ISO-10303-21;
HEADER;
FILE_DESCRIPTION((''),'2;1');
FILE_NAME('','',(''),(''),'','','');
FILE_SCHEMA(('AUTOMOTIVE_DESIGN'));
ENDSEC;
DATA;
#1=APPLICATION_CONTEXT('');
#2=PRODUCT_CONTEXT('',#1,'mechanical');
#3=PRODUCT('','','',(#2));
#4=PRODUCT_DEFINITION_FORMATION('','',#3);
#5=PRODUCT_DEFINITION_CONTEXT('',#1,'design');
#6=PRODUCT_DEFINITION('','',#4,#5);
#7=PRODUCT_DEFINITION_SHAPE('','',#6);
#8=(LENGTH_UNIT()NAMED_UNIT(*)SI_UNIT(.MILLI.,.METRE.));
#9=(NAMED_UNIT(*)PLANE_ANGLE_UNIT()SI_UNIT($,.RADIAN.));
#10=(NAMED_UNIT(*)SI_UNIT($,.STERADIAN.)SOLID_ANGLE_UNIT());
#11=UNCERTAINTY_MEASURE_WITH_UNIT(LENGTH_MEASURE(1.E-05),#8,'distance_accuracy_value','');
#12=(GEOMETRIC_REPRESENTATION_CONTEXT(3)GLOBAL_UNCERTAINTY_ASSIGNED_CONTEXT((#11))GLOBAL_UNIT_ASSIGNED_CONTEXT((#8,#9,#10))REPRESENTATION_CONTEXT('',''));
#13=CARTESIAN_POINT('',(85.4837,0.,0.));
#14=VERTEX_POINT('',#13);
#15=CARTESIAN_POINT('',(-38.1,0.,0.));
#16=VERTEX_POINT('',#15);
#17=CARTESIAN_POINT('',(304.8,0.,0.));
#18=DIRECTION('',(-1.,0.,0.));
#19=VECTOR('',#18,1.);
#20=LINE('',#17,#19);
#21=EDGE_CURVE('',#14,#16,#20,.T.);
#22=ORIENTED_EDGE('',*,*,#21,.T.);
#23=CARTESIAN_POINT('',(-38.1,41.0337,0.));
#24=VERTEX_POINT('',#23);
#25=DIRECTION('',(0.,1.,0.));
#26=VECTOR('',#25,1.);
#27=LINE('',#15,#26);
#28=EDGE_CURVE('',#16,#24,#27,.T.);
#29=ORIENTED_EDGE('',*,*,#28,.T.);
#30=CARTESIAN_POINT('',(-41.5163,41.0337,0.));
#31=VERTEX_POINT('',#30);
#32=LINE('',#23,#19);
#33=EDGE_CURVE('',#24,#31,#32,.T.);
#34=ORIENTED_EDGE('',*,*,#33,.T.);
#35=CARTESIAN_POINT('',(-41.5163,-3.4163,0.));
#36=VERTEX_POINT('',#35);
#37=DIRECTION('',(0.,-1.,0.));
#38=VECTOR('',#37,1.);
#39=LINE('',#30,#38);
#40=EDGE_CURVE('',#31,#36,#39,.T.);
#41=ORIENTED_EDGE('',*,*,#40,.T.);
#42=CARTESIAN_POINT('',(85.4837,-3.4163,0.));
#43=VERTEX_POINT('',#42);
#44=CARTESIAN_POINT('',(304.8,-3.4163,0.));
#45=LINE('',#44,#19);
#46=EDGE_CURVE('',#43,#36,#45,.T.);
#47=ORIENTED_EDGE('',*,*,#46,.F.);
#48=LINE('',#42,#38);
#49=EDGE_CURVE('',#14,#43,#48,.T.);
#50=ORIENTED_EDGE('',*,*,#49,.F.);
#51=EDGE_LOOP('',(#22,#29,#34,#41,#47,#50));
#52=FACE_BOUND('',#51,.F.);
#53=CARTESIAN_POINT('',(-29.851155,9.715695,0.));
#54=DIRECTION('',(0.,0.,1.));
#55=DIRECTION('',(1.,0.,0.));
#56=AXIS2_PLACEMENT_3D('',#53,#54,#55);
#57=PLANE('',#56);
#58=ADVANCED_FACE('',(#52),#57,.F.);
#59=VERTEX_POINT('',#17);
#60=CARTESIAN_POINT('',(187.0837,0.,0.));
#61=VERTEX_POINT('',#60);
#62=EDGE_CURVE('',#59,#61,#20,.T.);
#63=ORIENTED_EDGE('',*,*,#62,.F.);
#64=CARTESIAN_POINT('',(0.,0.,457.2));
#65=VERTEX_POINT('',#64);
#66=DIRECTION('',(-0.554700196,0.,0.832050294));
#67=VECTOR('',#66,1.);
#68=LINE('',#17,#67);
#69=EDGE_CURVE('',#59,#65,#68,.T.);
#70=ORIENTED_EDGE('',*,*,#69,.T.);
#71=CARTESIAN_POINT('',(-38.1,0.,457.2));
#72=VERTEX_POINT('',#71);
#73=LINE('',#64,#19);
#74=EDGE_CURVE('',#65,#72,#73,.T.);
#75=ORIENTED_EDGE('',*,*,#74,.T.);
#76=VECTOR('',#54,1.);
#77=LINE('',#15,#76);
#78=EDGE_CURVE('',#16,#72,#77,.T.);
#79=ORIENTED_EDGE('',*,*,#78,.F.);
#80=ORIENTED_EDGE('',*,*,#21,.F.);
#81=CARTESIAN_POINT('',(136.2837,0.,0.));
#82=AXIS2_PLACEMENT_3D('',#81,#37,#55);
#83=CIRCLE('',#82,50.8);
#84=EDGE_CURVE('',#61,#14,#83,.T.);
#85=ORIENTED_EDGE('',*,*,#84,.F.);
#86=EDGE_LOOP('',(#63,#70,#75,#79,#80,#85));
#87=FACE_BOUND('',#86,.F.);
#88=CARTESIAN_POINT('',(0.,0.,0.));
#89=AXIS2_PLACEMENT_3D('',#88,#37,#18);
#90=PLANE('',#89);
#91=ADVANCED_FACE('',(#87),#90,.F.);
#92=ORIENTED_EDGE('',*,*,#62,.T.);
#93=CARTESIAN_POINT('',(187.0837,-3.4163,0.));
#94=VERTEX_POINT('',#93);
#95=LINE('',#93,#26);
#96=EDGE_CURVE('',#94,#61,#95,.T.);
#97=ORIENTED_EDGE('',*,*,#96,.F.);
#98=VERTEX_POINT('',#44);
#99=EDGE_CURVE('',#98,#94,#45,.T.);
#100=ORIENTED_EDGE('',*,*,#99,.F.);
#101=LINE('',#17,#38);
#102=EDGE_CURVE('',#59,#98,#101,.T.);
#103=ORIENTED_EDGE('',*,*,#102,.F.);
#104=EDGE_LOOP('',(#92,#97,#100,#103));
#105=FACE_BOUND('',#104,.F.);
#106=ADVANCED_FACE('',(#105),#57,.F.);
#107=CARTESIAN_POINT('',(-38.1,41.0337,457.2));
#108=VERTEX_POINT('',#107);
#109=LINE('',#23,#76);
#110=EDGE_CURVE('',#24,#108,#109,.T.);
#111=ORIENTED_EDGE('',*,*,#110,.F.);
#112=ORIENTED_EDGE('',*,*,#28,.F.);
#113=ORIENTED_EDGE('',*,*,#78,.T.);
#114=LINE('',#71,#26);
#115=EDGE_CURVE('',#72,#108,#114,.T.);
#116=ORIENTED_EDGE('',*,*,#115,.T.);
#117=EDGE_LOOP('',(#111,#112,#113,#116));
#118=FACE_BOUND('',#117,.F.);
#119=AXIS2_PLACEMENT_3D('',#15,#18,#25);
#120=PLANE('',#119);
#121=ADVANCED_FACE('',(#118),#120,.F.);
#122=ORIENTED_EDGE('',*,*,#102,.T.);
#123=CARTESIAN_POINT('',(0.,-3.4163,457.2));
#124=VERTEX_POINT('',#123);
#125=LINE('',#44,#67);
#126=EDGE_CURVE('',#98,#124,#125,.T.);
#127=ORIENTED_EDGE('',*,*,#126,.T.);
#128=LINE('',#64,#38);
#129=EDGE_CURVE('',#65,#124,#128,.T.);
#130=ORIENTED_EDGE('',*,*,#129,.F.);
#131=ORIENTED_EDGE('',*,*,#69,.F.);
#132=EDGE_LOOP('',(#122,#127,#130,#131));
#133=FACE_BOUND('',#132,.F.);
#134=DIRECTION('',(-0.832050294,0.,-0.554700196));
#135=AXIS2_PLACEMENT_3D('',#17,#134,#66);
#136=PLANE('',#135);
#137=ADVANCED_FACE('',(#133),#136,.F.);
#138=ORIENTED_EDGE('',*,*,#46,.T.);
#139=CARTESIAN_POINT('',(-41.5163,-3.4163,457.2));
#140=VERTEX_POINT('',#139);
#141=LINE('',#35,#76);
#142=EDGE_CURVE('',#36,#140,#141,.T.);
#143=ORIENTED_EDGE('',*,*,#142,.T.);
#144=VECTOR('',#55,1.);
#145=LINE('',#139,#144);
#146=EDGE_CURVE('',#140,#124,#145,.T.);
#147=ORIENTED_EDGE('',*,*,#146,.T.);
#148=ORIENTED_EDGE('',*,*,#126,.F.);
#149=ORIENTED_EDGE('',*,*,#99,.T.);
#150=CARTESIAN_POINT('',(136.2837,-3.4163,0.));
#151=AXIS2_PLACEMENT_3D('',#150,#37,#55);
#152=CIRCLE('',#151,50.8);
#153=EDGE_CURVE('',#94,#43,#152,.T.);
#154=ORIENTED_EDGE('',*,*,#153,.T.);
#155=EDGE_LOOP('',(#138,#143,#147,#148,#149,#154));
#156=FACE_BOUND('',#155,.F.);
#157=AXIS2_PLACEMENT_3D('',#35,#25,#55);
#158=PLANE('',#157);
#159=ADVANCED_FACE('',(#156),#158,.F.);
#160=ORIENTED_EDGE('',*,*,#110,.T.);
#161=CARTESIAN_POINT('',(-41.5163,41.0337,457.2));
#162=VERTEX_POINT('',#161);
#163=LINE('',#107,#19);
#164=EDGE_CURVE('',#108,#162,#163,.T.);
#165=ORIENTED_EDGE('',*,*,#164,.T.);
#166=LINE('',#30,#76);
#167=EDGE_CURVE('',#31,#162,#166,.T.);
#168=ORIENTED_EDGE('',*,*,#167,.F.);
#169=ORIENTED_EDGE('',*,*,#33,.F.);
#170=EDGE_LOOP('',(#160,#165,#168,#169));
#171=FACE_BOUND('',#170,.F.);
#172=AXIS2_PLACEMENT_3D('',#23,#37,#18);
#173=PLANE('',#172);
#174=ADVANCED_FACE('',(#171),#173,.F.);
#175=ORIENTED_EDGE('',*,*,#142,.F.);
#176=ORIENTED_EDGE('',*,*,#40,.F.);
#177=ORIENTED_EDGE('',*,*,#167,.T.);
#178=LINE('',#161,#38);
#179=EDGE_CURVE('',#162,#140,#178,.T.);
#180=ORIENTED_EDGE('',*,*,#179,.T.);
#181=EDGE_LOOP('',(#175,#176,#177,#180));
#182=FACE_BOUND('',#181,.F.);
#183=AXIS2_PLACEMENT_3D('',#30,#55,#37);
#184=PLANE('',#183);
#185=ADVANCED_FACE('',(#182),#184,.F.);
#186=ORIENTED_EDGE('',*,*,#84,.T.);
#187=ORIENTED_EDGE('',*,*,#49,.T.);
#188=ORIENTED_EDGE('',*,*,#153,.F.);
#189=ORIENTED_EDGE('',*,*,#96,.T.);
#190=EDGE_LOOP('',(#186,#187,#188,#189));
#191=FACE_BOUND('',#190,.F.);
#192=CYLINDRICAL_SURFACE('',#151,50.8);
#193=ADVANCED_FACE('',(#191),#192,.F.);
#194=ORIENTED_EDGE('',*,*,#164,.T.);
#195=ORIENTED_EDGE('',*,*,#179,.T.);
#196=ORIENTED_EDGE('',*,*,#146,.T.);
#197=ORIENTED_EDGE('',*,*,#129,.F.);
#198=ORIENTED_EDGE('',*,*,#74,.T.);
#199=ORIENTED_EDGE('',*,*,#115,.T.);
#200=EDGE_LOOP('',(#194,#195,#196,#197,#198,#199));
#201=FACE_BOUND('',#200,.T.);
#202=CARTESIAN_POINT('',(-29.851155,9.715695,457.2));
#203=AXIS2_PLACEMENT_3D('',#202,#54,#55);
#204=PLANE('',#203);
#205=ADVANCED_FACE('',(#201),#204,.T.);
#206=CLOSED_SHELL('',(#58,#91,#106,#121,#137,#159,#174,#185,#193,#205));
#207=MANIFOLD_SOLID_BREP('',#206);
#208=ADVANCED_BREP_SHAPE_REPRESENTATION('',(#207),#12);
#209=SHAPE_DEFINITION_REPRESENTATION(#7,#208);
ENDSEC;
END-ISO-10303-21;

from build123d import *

# Parameters (mm, degrees)
F1_DEPTH = 3.4163
F3_DEPTH = 457.2
F4_R     = 50.8
F5_DEPTH = 25.4


with BuildPart() as f1:
    # F0 (on Front) → F1 (new body)
    with BuildSketch(Plane.XZ):
        Polygon((0, 457.2), (0, 0), (304.8, 0), align=None)
    extrude(amount=F1_DEPTH)

    # F2 (on Top) → F3 (join, through all)
    with BuildSketch(Plane.XY):
        Polygon((0, -3.4163), (0, 0), (-38.1, 0), (-38.1, 41.0337), (-41.5163, 41.0337), (-41.5163, -3.4163), align=None)
    extrude(amount=F3_DEPTH)

    # F4 (on face) → F5 (cut)
    with BuildSketch(Plane.XZ.offset(3.4163)):
        with Locations((136.2837, 0)):
            Circle(F4_R)
    extrude(amount=-F5_DEPTH, mode=Mode.SUBTRACT)


solid = f1.part
